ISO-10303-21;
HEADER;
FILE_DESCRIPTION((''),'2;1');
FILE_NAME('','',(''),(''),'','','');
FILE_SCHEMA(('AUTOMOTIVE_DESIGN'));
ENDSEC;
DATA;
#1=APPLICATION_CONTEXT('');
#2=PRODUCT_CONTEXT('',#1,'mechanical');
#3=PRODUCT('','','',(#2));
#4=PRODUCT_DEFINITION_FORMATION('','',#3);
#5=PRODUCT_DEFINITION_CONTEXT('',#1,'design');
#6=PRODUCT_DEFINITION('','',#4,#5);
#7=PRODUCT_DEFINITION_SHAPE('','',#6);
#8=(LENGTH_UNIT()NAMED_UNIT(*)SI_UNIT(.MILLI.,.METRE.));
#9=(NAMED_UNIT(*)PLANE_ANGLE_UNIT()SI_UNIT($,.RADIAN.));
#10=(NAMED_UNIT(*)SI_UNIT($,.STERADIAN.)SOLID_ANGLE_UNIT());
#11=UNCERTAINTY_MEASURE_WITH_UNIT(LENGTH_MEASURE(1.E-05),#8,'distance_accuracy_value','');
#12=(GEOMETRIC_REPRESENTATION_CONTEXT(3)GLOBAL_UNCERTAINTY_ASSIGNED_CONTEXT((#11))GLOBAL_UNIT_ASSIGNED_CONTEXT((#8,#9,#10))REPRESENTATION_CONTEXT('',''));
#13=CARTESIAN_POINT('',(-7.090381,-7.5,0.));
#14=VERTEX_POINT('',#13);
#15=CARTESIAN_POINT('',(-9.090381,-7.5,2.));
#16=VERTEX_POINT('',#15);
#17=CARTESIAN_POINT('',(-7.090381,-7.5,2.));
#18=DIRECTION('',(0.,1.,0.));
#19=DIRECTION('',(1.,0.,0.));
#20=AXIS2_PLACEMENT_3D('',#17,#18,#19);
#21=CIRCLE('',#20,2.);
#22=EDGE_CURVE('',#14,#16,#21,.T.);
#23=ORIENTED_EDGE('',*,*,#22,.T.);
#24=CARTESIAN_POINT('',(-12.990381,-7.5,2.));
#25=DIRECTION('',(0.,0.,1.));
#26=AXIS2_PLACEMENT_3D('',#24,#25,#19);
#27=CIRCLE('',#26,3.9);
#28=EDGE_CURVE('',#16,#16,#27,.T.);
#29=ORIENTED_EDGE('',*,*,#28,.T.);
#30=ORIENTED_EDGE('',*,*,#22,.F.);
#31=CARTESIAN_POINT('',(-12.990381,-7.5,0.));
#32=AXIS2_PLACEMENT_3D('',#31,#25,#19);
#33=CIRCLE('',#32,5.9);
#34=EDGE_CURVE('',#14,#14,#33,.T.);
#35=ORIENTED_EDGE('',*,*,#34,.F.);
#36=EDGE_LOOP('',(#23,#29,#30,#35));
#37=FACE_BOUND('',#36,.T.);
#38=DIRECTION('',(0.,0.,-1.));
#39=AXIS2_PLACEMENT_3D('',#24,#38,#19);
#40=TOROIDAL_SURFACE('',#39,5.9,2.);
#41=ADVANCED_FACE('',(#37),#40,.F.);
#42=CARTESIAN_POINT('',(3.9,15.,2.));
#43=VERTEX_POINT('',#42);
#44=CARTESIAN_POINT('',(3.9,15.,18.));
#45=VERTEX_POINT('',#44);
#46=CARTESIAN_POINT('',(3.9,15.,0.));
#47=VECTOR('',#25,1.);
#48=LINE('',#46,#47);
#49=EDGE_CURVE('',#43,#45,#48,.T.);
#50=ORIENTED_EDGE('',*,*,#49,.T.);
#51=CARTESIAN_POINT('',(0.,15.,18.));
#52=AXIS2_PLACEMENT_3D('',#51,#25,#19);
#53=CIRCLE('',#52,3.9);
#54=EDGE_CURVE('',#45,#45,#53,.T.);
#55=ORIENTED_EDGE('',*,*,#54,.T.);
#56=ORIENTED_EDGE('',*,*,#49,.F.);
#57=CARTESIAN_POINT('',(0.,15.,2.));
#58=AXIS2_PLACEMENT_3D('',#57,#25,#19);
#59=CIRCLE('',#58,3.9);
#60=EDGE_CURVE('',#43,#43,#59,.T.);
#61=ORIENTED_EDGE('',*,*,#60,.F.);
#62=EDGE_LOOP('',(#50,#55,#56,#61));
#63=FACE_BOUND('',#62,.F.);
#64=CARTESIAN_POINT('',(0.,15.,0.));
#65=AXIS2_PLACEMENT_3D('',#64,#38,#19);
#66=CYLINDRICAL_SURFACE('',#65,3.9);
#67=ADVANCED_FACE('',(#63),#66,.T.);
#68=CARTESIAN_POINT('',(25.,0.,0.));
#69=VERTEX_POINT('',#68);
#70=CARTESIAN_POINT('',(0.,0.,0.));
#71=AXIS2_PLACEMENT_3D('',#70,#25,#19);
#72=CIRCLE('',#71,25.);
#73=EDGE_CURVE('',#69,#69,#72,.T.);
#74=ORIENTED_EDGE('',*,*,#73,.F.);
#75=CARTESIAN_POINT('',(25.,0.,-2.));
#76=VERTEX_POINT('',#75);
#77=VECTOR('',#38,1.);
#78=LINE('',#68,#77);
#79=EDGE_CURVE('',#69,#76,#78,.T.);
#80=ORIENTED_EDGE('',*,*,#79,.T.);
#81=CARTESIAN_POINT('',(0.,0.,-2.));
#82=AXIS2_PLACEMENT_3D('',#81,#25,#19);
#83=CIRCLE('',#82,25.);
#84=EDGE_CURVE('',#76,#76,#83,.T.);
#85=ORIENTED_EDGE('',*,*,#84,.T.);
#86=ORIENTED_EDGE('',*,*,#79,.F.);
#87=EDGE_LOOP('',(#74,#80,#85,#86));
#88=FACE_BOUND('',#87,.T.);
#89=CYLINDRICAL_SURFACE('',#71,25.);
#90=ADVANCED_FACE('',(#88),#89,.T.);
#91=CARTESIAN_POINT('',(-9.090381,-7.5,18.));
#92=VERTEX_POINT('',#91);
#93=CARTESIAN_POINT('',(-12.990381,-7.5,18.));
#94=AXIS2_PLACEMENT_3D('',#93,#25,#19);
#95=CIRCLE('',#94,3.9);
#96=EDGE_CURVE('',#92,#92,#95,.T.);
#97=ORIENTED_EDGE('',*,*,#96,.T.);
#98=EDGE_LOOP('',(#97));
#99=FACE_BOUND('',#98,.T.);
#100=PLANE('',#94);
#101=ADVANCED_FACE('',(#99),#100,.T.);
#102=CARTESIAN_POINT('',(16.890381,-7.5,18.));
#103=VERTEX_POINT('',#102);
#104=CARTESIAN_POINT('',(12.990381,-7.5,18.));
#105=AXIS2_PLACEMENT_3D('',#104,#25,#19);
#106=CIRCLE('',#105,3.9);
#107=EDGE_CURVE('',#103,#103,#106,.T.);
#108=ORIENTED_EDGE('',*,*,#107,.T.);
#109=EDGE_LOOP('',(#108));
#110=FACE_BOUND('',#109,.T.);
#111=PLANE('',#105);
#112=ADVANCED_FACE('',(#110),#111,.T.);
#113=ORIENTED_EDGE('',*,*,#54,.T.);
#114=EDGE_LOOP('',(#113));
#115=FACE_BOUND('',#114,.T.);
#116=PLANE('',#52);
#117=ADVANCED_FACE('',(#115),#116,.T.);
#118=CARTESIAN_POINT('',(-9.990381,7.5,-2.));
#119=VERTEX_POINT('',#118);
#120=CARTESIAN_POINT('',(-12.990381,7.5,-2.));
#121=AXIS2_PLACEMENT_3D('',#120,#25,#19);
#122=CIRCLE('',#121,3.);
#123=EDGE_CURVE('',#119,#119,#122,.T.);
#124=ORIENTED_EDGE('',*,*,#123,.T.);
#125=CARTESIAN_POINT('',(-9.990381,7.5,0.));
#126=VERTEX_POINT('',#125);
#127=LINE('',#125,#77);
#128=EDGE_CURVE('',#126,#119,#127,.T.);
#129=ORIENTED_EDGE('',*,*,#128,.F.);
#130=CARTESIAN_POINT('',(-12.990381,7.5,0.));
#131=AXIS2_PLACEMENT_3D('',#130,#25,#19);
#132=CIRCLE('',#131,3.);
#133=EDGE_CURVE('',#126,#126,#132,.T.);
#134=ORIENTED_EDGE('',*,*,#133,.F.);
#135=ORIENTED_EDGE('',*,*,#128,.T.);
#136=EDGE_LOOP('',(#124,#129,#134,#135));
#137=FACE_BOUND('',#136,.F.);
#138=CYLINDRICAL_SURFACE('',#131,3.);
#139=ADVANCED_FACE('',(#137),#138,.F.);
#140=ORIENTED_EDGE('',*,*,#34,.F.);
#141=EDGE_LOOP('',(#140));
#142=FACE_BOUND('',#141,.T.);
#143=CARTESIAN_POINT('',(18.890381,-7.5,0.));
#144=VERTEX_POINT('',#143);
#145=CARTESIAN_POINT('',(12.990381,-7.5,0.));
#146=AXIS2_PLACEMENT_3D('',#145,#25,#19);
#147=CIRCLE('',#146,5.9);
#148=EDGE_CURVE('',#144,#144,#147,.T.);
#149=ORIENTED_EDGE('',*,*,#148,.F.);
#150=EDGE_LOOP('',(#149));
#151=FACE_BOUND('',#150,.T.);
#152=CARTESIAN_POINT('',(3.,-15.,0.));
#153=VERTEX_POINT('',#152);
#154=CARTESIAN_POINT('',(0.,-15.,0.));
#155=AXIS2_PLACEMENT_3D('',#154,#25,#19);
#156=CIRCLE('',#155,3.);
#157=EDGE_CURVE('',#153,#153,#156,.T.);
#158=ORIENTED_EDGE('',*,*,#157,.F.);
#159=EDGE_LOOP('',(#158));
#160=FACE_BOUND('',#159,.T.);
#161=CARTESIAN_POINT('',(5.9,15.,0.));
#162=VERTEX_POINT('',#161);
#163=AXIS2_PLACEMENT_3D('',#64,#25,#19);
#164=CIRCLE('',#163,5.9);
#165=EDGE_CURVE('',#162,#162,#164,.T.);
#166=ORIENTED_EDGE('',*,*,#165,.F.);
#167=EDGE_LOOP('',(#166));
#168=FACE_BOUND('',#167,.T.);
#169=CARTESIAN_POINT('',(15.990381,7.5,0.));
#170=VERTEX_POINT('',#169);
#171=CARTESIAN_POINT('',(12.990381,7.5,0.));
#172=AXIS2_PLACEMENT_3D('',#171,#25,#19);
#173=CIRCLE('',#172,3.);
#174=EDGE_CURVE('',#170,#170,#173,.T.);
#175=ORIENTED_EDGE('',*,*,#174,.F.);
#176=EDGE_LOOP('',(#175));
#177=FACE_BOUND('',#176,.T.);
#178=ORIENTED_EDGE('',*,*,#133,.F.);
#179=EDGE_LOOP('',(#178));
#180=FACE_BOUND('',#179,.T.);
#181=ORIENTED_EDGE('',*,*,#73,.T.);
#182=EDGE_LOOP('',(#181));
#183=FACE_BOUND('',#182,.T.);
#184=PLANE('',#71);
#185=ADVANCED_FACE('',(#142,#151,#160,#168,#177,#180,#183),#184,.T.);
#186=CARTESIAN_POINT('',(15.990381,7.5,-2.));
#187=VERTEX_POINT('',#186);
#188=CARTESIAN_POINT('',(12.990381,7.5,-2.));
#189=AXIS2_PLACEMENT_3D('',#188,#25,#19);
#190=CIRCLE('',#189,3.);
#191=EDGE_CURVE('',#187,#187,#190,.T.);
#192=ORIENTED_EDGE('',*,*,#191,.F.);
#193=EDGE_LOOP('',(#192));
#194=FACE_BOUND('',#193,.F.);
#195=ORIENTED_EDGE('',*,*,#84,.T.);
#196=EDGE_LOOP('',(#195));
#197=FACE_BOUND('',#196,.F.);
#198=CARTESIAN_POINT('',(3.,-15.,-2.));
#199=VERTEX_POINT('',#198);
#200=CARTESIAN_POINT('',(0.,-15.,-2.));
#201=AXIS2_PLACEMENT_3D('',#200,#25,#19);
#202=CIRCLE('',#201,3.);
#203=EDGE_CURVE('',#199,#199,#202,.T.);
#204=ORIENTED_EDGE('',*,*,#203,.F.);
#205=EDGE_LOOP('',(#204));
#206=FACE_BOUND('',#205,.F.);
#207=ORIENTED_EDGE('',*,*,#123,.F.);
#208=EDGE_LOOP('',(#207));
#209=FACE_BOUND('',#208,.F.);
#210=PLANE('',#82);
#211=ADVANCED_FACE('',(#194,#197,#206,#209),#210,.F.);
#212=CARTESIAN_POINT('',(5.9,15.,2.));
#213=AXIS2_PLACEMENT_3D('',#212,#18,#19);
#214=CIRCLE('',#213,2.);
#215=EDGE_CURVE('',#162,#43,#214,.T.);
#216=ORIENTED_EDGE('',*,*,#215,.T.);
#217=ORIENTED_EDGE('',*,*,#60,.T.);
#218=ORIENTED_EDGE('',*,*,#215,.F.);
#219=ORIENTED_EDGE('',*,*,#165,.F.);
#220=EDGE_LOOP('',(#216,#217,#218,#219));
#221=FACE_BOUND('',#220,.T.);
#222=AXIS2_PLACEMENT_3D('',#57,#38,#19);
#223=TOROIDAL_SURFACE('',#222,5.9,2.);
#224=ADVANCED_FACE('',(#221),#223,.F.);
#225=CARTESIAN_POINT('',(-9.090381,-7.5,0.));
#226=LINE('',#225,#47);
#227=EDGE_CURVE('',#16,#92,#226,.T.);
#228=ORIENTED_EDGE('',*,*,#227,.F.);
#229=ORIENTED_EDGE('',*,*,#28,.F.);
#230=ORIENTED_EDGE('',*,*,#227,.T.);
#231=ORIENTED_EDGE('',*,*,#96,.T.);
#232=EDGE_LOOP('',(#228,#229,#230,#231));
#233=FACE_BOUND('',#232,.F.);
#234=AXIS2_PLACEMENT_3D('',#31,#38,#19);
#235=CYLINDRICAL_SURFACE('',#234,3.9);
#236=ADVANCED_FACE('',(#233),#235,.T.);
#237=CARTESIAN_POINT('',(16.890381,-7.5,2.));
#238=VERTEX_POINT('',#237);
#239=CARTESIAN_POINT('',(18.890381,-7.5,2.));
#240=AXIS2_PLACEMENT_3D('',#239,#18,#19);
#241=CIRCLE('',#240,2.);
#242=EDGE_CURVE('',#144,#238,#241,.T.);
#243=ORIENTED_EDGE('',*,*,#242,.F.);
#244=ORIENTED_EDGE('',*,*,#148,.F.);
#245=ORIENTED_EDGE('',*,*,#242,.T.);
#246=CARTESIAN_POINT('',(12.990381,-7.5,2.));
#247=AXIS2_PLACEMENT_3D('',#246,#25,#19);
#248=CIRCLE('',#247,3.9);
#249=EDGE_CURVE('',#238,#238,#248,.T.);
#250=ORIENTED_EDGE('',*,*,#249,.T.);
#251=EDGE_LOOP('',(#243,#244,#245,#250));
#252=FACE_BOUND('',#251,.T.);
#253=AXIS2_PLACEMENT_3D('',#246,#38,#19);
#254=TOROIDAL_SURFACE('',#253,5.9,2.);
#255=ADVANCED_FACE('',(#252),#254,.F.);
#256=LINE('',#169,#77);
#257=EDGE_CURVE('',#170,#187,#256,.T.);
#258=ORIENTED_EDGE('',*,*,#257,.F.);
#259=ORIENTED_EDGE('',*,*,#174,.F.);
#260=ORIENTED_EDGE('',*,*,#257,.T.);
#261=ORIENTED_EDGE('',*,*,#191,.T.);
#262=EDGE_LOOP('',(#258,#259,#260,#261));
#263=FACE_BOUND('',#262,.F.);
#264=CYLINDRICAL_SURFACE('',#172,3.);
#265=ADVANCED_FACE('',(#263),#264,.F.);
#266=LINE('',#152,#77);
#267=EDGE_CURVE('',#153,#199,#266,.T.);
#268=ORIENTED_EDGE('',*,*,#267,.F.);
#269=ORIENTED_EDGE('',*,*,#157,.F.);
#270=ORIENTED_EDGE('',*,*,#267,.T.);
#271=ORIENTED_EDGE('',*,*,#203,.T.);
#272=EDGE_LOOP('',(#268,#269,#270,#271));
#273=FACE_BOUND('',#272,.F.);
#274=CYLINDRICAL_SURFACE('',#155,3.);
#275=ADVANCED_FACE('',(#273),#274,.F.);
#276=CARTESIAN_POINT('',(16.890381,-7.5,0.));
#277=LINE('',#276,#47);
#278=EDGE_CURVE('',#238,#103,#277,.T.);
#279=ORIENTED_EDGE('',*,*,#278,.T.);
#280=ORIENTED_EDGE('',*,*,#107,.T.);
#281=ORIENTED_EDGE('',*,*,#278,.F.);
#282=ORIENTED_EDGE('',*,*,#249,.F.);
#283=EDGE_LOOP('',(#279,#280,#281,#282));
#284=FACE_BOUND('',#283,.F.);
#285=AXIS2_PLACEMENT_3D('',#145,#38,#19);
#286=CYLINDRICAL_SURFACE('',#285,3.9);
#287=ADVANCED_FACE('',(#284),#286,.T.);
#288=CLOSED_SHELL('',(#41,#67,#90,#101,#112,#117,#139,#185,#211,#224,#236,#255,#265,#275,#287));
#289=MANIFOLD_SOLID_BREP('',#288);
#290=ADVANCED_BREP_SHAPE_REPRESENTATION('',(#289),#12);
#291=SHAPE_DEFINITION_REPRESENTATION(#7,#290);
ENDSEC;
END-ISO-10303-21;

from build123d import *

# Parameters (mm, degrees)
F1_R     = 25
F2_DEPTH = 2
F0_R     = 3.9
F3_DEPTH = 18
F4_R     = 2
F0_R_2   = 3
F5_DEPTH = 2


with BuildPart() as f2:
    # F1 (on Top) → F2 (new body)
    with BuildSketch(Plane.XY):
        Circle(F1_R)
    extrude(amount=-F2_DEPTH)

    # F0 (on Top) → F3 (join)
    with BuildSketch(Plane.XY):
        with Locations((-12.9903810568, -7.5)):
            Circle(F0_R)
        with Locations((0, 15)):
            Circle(F0_R)
        with Locations((12.9903810568, -7.5)):
            Circle(F0_R)
    extrude(amount=F3_DEPTH)

    # F4
    f4_edges = [f2.edges().sort_by_distance(p)[0] for p in [
        (9.090381, -7.5, 0),
        (-3.9, 15, 0),
        (-16.890381, -7.5, 0),
    ]]
    fillet(f4_edges, radius=F4_R)

    # F0 (on Top) → F5 (cut)
    with BuildSketch(Plane.XY):
        with Locations((12.9903810568, 7.5)):
            Circle(F0_R_2)
        with Locations((-12.9903810568, 7.5)):
            Circle(F0_R_2)
        with Locations((0, -15)):
            Circle(F0_R_2)
    extrude(amount=-F5_DEPTH, mode=Mode.SUBTRACT)


solid = f2.part
